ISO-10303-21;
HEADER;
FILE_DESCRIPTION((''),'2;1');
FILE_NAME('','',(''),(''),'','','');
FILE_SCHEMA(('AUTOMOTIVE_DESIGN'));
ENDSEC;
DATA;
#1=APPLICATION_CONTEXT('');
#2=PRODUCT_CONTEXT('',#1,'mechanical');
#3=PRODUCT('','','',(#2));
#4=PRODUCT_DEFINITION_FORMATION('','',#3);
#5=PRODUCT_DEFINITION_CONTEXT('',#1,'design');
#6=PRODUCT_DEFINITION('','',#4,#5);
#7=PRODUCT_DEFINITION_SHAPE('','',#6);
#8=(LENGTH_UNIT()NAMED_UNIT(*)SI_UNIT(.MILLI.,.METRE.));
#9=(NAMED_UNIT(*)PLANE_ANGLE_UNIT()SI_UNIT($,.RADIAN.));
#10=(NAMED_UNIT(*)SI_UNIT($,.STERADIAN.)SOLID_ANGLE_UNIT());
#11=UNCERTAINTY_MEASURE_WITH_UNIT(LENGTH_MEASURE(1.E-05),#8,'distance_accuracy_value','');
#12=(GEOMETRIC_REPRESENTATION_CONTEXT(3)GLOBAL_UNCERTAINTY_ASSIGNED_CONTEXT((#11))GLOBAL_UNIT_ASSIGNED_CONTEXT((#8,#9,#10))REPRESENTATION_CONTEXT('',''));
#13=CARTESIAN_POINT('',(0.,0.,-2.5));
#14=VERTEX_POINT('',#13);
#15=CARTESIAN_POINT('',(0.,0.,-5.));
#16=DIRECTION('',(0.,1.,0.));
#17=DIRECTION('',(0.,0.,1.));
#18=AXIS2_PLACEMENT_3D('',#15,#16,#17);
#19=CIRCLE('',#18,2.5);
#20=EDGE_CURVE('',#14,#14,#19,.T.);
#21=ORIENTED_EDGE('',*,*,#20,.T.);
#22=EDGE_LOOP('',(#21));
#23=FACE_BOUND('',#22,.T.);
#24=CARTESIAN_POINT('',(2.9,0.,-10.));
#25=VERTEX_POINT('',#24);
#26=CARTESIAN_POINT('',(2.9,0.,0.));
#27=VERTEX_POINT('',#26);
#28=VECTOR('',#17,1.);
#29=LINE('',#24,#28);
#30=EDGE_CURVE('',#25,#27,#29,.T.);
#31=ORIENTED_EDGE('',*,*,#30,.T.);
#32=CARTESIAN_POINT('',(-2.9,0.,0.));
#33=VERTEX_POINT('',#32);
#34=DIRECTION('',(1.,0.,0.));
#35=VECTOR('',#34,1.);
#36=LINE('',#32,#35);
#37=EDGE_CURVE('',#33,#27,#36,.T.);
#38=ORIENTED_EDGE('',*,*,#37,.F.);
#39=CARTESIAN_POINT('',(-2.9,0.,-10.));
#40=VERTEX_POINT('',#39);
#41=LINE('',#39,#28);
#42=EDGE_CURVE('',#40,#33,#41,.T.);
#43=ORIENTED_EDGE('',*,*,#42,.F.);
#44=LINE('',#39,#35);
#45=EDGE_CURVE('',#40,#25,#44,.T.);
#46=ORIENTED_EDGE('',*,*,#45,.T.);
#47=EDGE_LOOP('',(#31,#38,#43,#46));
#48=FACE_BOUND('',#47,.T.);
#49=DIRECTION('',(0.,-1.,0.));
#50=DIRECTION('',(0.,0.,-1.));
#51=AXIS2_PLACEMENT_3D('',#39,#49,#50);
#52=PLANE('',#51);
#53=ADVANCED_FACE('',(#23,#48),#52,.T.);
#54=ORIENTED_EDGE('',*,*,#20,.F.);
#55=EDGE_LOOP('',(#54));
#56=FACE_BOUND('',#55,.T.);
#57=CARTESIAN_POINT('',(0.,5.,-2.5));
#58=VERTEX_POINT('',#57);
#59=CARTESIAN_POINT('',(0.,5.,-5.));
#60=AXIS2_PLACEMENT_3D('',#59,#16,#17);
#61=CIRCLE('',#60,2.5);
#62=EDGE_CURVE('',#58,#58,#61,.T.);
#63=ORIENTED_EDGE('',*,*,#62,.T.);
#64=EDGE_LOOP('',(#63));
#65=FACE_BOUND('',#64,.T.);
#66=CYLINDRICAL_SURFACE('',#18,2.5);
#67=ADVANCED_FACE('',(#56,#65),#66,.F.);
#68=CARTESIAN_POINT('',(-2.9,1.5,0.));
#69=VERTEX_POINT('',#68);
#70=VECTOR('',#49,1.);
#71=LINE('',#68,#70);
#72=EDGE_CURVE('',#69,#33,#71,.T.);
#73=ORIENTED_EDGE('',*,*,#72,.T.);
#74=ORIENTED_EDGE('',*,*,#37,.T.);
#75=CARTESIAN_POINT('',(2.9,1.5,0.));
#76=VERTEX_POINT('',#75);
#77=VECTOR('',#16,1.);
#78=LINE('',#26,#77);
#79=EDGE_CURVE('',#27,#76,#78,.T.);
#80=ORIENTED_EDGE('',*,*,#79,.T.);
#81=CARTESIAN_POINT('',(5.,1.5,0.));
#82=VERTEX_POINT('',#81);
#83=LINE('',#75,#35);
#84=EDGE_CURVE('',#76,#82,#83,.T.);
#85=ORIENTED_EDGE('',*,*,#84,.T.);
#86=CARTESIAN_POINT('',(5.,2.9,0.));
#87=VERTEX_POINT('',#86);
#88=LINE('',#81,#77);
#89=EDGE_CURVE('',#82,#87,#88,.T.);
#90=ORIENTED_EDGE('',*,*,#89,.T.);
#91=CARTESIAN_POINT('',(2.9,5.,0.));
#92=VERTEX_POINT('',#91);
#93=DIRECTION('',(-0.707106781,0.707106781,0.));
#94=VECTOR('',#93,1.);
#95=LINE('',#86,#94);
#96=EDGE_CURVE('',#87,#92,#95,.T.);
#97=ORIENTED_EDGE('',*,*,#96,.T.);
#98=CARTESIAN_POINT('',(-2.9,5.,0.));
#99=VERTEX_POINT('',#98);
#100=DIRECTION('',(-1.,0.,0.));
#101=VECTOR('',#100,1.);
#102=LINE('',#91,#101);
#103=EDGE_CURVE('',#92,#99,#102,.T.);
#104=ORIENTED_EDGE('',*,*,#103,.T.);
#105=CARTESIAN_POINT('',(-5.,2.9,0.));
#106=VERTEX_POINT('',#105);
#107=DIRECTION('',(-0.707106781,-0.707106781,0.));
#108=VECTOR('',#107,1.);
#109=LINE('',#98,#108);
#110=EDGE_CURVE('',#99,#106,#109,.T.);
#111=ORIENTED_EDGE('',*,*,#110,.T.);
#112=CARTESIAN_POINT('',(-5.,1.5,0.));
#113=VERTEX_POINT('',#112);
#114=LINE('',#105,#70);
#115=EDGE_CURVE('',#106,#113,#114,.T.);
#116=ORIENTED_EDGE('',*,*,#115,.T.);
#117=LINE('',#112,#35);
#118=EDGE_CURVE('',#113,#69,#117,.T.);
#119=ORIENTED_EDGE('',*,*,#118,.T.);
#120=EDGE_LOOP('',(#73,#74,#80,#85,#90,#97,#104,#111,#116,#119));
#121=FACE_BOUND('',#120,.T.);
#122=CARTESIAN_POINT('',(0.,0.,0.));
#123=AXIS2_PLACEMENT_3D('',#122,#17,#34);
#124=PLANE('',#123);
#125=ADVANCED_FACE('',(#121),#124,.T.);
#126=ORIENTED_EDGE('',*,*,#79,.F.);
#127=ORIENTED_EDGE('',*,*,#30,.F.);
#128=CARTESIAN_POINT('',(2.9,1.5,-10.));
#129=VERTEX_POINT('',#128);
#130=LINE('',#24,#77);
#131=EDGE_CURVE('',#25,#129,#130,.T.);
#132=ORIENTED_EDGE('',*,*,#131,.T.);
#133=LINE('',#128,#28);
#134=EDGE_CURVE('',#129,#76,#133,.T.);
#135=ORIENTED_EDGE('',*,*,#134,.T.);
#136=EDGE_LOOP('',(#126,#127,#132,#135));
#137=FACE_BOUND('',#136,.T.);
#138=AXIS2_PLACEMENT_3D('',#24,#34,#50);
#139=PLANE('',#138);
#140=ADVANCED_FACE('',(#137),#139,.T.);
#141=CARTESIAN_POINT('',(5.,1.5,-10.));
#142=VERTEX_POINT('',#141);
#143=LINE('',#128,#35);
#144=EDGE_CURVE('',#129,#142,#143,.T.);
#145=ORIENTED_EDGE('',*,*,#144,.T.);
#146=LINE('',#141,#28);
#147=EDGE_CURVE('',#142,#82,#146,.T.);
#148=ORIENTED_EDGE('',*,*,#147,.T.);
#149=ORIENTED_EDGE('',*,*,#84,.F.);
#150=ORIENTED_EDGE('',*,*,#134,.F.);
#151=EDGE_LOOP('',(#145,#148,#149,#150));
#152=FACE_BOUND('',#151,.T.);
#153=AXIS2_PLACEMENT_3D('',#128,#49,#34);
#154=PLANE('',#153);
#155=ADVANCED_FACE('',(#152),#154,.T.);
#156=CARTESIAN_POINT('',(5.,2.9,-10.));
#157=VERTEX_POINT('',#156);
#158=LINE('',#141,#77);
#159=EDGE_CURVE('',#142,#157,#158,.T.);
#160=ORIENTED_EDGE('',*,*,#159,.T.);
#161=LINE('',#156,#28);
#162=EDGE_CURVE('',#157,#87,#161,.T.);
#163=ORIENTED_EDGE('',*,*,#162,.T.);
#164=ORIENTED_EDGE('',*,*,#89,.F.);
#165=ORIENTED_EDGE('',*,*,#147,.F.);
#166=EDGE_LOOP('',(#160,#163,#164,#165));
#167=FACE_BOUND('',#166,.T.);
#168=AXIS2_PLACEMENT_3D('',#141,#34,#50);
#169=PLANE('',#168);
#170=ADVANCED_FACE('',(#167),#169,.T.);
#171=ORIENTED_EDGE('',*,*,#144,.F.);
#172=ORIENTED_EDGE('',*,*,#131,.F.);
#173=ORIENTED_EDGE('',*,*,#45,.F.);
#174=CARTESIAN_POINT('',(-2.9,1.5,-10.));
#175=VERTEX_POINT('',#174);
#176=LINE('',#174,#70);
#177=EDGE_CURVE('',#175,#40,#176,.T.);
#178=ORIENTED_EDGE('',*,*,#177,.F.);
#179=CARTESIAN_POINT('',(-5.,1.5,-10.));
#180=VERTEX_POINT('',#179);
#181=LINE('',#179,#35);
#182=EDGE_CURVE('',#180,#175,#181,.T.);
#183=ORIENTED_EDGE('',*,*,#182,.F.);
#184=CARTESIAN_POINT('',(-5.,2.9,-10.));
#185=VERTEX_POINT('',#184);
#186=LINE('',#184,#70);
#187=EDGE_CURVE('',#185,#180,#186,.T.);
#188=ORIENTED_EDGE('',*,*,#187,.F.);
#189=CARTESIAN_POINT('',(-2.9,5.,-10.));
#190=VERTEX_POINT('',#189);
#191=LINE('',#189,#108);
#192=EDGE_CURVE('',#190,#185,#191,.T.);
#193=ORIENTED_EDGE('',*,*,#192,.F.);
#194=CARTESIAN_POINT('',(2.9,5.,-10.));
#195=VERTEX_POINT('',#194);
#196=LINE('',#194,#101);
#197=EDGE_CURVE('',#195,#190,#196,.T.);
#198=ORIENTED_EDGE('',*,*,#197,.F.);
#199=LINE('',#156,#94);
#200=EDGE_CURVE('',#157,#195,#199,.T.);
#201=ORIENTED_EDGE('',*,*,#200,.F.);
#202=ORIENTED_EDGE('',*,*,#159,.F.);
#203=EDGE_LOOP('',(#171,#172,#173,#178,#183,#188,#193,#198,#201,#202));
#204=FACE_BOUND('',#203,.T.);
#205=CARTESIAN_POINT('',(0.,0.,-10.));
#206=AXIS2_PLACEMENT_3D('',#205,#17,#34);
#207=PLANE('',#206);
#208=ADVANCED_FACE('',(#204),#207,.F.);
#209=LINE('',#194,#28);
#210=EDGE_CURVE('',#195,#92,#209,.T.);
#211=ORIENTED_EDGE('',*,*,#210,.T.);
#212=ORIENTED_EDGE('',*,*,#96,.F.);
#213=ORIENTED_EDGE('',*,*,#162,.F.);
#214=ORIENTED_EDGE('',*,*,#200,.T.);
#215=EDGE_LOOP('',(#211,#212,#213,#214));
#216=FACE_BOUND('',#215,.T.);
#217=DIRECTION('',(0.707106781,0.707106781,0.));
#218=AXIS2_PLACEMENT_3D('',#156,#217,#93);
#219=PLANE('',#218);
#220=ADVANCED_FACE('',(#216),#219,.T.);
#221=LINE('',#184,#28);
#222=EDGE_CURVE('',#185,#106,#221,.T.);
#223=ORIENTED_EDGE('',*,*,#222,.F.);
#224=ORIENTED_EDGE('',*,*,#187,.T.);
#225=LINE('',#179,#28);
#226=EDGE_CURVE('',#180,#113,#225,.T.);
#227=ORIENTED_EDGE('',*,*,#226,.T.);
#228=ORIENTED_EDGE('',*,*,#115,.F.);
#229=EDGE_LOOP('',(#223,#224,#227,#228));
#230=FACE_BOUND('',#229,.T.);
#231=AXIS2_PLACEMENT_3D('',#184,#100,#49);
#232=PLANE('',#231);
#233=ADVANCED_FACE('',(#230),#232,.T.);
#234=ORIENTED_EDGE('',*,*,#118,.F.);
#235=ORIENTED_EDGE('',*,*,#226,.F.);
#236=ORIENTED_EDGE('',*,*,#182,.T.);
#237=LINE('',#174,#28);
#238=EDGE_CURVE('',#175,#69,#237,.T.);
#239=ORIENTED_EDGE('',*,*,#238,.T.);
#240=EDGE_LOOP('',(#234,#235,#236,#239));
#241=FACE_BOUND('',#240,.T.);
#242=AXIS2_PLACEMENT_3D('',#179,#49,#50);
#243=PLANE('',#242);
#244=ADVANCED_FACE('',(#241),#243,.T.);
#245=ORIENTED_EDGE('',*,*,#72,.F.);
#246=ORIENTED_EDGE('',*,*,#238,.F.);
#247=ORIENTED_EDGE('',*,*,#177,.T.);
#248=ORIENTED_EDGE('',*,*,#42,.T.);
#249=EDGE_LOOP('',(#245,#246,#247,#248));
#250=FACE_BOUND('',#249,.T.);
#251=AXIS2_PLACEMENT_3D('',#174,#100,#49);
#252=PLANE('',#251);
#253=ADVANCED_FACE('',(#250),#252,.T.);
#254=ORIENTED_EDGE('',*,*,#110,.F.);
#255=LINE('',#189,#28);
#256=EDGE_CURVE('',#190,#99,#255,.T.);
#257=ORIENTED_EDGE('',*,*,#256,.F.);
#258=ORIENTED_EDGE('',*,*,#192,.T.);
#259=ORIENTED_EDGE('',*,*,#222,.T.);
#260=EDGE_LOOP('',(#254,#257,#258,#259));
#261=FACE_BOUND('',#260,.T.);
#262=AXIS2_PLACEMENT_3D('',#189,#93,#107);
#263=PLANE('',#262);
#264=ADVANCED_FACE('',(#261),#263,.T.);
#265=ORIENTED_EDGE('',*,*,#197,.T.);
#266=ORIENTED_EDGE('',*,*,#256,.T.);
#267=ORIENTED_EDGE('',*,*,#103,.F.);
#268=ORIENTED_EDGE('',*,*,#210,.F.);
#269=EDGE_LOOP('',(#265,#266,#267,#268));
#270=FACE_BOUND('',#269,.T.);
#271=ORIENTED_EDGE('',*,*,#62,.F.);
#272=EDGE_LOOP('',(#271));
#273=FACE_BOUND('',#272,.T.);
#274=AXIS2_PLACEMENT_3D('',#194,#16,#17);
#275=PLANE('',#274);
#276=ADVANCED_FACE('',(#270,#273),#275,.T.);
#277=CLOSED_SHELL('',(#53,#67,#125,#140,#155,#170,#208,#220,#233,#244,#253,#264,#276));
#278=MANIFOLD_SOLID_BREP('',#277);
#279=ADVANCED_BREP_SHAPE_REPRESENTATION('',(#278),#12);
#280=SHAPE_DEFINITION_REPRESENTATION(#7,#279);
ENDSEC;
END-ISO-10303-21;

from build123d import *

# Parameters (mm, degrees)
EXTRUDE_1_DEPTH     = 10
SKETCH_4_R          = 2.5
CUT_EXTRUDE_1_DEPTH = 13.247448714


with BuildPart() as part:
    # 草图1 → 凸台-拉伸1 (new body)
    with BuildSketch(Plane.XY):
        Polygon((-2.9, 0), (2.9, 0), (2.9, 1.5), (5, 1.5), (5, 2.9), (2.9, 5), (-2.9, 5), (-5, 2.9), (-5, 1.5), (-2.9, 1.5), align=None)
    extrude(amount=-EXTRUDE_1_DEPTH)

    # 草图4 → 切除-拉伸1 (cut, through all)
    with BuildSketch(Plane(origin=(0, 5, 0), x_dir=(1, 0, 0), z_dir=(0, 1, 0))):
        with Locations(Location((0, 5, 0), (0, 0, 270))):
            Circle(SKETCH_4_R)
    extrude(amount=-CUT_EXTRUDE_1_DEPTH, mode=Mode.SUBTRACT)


solid = part.part
